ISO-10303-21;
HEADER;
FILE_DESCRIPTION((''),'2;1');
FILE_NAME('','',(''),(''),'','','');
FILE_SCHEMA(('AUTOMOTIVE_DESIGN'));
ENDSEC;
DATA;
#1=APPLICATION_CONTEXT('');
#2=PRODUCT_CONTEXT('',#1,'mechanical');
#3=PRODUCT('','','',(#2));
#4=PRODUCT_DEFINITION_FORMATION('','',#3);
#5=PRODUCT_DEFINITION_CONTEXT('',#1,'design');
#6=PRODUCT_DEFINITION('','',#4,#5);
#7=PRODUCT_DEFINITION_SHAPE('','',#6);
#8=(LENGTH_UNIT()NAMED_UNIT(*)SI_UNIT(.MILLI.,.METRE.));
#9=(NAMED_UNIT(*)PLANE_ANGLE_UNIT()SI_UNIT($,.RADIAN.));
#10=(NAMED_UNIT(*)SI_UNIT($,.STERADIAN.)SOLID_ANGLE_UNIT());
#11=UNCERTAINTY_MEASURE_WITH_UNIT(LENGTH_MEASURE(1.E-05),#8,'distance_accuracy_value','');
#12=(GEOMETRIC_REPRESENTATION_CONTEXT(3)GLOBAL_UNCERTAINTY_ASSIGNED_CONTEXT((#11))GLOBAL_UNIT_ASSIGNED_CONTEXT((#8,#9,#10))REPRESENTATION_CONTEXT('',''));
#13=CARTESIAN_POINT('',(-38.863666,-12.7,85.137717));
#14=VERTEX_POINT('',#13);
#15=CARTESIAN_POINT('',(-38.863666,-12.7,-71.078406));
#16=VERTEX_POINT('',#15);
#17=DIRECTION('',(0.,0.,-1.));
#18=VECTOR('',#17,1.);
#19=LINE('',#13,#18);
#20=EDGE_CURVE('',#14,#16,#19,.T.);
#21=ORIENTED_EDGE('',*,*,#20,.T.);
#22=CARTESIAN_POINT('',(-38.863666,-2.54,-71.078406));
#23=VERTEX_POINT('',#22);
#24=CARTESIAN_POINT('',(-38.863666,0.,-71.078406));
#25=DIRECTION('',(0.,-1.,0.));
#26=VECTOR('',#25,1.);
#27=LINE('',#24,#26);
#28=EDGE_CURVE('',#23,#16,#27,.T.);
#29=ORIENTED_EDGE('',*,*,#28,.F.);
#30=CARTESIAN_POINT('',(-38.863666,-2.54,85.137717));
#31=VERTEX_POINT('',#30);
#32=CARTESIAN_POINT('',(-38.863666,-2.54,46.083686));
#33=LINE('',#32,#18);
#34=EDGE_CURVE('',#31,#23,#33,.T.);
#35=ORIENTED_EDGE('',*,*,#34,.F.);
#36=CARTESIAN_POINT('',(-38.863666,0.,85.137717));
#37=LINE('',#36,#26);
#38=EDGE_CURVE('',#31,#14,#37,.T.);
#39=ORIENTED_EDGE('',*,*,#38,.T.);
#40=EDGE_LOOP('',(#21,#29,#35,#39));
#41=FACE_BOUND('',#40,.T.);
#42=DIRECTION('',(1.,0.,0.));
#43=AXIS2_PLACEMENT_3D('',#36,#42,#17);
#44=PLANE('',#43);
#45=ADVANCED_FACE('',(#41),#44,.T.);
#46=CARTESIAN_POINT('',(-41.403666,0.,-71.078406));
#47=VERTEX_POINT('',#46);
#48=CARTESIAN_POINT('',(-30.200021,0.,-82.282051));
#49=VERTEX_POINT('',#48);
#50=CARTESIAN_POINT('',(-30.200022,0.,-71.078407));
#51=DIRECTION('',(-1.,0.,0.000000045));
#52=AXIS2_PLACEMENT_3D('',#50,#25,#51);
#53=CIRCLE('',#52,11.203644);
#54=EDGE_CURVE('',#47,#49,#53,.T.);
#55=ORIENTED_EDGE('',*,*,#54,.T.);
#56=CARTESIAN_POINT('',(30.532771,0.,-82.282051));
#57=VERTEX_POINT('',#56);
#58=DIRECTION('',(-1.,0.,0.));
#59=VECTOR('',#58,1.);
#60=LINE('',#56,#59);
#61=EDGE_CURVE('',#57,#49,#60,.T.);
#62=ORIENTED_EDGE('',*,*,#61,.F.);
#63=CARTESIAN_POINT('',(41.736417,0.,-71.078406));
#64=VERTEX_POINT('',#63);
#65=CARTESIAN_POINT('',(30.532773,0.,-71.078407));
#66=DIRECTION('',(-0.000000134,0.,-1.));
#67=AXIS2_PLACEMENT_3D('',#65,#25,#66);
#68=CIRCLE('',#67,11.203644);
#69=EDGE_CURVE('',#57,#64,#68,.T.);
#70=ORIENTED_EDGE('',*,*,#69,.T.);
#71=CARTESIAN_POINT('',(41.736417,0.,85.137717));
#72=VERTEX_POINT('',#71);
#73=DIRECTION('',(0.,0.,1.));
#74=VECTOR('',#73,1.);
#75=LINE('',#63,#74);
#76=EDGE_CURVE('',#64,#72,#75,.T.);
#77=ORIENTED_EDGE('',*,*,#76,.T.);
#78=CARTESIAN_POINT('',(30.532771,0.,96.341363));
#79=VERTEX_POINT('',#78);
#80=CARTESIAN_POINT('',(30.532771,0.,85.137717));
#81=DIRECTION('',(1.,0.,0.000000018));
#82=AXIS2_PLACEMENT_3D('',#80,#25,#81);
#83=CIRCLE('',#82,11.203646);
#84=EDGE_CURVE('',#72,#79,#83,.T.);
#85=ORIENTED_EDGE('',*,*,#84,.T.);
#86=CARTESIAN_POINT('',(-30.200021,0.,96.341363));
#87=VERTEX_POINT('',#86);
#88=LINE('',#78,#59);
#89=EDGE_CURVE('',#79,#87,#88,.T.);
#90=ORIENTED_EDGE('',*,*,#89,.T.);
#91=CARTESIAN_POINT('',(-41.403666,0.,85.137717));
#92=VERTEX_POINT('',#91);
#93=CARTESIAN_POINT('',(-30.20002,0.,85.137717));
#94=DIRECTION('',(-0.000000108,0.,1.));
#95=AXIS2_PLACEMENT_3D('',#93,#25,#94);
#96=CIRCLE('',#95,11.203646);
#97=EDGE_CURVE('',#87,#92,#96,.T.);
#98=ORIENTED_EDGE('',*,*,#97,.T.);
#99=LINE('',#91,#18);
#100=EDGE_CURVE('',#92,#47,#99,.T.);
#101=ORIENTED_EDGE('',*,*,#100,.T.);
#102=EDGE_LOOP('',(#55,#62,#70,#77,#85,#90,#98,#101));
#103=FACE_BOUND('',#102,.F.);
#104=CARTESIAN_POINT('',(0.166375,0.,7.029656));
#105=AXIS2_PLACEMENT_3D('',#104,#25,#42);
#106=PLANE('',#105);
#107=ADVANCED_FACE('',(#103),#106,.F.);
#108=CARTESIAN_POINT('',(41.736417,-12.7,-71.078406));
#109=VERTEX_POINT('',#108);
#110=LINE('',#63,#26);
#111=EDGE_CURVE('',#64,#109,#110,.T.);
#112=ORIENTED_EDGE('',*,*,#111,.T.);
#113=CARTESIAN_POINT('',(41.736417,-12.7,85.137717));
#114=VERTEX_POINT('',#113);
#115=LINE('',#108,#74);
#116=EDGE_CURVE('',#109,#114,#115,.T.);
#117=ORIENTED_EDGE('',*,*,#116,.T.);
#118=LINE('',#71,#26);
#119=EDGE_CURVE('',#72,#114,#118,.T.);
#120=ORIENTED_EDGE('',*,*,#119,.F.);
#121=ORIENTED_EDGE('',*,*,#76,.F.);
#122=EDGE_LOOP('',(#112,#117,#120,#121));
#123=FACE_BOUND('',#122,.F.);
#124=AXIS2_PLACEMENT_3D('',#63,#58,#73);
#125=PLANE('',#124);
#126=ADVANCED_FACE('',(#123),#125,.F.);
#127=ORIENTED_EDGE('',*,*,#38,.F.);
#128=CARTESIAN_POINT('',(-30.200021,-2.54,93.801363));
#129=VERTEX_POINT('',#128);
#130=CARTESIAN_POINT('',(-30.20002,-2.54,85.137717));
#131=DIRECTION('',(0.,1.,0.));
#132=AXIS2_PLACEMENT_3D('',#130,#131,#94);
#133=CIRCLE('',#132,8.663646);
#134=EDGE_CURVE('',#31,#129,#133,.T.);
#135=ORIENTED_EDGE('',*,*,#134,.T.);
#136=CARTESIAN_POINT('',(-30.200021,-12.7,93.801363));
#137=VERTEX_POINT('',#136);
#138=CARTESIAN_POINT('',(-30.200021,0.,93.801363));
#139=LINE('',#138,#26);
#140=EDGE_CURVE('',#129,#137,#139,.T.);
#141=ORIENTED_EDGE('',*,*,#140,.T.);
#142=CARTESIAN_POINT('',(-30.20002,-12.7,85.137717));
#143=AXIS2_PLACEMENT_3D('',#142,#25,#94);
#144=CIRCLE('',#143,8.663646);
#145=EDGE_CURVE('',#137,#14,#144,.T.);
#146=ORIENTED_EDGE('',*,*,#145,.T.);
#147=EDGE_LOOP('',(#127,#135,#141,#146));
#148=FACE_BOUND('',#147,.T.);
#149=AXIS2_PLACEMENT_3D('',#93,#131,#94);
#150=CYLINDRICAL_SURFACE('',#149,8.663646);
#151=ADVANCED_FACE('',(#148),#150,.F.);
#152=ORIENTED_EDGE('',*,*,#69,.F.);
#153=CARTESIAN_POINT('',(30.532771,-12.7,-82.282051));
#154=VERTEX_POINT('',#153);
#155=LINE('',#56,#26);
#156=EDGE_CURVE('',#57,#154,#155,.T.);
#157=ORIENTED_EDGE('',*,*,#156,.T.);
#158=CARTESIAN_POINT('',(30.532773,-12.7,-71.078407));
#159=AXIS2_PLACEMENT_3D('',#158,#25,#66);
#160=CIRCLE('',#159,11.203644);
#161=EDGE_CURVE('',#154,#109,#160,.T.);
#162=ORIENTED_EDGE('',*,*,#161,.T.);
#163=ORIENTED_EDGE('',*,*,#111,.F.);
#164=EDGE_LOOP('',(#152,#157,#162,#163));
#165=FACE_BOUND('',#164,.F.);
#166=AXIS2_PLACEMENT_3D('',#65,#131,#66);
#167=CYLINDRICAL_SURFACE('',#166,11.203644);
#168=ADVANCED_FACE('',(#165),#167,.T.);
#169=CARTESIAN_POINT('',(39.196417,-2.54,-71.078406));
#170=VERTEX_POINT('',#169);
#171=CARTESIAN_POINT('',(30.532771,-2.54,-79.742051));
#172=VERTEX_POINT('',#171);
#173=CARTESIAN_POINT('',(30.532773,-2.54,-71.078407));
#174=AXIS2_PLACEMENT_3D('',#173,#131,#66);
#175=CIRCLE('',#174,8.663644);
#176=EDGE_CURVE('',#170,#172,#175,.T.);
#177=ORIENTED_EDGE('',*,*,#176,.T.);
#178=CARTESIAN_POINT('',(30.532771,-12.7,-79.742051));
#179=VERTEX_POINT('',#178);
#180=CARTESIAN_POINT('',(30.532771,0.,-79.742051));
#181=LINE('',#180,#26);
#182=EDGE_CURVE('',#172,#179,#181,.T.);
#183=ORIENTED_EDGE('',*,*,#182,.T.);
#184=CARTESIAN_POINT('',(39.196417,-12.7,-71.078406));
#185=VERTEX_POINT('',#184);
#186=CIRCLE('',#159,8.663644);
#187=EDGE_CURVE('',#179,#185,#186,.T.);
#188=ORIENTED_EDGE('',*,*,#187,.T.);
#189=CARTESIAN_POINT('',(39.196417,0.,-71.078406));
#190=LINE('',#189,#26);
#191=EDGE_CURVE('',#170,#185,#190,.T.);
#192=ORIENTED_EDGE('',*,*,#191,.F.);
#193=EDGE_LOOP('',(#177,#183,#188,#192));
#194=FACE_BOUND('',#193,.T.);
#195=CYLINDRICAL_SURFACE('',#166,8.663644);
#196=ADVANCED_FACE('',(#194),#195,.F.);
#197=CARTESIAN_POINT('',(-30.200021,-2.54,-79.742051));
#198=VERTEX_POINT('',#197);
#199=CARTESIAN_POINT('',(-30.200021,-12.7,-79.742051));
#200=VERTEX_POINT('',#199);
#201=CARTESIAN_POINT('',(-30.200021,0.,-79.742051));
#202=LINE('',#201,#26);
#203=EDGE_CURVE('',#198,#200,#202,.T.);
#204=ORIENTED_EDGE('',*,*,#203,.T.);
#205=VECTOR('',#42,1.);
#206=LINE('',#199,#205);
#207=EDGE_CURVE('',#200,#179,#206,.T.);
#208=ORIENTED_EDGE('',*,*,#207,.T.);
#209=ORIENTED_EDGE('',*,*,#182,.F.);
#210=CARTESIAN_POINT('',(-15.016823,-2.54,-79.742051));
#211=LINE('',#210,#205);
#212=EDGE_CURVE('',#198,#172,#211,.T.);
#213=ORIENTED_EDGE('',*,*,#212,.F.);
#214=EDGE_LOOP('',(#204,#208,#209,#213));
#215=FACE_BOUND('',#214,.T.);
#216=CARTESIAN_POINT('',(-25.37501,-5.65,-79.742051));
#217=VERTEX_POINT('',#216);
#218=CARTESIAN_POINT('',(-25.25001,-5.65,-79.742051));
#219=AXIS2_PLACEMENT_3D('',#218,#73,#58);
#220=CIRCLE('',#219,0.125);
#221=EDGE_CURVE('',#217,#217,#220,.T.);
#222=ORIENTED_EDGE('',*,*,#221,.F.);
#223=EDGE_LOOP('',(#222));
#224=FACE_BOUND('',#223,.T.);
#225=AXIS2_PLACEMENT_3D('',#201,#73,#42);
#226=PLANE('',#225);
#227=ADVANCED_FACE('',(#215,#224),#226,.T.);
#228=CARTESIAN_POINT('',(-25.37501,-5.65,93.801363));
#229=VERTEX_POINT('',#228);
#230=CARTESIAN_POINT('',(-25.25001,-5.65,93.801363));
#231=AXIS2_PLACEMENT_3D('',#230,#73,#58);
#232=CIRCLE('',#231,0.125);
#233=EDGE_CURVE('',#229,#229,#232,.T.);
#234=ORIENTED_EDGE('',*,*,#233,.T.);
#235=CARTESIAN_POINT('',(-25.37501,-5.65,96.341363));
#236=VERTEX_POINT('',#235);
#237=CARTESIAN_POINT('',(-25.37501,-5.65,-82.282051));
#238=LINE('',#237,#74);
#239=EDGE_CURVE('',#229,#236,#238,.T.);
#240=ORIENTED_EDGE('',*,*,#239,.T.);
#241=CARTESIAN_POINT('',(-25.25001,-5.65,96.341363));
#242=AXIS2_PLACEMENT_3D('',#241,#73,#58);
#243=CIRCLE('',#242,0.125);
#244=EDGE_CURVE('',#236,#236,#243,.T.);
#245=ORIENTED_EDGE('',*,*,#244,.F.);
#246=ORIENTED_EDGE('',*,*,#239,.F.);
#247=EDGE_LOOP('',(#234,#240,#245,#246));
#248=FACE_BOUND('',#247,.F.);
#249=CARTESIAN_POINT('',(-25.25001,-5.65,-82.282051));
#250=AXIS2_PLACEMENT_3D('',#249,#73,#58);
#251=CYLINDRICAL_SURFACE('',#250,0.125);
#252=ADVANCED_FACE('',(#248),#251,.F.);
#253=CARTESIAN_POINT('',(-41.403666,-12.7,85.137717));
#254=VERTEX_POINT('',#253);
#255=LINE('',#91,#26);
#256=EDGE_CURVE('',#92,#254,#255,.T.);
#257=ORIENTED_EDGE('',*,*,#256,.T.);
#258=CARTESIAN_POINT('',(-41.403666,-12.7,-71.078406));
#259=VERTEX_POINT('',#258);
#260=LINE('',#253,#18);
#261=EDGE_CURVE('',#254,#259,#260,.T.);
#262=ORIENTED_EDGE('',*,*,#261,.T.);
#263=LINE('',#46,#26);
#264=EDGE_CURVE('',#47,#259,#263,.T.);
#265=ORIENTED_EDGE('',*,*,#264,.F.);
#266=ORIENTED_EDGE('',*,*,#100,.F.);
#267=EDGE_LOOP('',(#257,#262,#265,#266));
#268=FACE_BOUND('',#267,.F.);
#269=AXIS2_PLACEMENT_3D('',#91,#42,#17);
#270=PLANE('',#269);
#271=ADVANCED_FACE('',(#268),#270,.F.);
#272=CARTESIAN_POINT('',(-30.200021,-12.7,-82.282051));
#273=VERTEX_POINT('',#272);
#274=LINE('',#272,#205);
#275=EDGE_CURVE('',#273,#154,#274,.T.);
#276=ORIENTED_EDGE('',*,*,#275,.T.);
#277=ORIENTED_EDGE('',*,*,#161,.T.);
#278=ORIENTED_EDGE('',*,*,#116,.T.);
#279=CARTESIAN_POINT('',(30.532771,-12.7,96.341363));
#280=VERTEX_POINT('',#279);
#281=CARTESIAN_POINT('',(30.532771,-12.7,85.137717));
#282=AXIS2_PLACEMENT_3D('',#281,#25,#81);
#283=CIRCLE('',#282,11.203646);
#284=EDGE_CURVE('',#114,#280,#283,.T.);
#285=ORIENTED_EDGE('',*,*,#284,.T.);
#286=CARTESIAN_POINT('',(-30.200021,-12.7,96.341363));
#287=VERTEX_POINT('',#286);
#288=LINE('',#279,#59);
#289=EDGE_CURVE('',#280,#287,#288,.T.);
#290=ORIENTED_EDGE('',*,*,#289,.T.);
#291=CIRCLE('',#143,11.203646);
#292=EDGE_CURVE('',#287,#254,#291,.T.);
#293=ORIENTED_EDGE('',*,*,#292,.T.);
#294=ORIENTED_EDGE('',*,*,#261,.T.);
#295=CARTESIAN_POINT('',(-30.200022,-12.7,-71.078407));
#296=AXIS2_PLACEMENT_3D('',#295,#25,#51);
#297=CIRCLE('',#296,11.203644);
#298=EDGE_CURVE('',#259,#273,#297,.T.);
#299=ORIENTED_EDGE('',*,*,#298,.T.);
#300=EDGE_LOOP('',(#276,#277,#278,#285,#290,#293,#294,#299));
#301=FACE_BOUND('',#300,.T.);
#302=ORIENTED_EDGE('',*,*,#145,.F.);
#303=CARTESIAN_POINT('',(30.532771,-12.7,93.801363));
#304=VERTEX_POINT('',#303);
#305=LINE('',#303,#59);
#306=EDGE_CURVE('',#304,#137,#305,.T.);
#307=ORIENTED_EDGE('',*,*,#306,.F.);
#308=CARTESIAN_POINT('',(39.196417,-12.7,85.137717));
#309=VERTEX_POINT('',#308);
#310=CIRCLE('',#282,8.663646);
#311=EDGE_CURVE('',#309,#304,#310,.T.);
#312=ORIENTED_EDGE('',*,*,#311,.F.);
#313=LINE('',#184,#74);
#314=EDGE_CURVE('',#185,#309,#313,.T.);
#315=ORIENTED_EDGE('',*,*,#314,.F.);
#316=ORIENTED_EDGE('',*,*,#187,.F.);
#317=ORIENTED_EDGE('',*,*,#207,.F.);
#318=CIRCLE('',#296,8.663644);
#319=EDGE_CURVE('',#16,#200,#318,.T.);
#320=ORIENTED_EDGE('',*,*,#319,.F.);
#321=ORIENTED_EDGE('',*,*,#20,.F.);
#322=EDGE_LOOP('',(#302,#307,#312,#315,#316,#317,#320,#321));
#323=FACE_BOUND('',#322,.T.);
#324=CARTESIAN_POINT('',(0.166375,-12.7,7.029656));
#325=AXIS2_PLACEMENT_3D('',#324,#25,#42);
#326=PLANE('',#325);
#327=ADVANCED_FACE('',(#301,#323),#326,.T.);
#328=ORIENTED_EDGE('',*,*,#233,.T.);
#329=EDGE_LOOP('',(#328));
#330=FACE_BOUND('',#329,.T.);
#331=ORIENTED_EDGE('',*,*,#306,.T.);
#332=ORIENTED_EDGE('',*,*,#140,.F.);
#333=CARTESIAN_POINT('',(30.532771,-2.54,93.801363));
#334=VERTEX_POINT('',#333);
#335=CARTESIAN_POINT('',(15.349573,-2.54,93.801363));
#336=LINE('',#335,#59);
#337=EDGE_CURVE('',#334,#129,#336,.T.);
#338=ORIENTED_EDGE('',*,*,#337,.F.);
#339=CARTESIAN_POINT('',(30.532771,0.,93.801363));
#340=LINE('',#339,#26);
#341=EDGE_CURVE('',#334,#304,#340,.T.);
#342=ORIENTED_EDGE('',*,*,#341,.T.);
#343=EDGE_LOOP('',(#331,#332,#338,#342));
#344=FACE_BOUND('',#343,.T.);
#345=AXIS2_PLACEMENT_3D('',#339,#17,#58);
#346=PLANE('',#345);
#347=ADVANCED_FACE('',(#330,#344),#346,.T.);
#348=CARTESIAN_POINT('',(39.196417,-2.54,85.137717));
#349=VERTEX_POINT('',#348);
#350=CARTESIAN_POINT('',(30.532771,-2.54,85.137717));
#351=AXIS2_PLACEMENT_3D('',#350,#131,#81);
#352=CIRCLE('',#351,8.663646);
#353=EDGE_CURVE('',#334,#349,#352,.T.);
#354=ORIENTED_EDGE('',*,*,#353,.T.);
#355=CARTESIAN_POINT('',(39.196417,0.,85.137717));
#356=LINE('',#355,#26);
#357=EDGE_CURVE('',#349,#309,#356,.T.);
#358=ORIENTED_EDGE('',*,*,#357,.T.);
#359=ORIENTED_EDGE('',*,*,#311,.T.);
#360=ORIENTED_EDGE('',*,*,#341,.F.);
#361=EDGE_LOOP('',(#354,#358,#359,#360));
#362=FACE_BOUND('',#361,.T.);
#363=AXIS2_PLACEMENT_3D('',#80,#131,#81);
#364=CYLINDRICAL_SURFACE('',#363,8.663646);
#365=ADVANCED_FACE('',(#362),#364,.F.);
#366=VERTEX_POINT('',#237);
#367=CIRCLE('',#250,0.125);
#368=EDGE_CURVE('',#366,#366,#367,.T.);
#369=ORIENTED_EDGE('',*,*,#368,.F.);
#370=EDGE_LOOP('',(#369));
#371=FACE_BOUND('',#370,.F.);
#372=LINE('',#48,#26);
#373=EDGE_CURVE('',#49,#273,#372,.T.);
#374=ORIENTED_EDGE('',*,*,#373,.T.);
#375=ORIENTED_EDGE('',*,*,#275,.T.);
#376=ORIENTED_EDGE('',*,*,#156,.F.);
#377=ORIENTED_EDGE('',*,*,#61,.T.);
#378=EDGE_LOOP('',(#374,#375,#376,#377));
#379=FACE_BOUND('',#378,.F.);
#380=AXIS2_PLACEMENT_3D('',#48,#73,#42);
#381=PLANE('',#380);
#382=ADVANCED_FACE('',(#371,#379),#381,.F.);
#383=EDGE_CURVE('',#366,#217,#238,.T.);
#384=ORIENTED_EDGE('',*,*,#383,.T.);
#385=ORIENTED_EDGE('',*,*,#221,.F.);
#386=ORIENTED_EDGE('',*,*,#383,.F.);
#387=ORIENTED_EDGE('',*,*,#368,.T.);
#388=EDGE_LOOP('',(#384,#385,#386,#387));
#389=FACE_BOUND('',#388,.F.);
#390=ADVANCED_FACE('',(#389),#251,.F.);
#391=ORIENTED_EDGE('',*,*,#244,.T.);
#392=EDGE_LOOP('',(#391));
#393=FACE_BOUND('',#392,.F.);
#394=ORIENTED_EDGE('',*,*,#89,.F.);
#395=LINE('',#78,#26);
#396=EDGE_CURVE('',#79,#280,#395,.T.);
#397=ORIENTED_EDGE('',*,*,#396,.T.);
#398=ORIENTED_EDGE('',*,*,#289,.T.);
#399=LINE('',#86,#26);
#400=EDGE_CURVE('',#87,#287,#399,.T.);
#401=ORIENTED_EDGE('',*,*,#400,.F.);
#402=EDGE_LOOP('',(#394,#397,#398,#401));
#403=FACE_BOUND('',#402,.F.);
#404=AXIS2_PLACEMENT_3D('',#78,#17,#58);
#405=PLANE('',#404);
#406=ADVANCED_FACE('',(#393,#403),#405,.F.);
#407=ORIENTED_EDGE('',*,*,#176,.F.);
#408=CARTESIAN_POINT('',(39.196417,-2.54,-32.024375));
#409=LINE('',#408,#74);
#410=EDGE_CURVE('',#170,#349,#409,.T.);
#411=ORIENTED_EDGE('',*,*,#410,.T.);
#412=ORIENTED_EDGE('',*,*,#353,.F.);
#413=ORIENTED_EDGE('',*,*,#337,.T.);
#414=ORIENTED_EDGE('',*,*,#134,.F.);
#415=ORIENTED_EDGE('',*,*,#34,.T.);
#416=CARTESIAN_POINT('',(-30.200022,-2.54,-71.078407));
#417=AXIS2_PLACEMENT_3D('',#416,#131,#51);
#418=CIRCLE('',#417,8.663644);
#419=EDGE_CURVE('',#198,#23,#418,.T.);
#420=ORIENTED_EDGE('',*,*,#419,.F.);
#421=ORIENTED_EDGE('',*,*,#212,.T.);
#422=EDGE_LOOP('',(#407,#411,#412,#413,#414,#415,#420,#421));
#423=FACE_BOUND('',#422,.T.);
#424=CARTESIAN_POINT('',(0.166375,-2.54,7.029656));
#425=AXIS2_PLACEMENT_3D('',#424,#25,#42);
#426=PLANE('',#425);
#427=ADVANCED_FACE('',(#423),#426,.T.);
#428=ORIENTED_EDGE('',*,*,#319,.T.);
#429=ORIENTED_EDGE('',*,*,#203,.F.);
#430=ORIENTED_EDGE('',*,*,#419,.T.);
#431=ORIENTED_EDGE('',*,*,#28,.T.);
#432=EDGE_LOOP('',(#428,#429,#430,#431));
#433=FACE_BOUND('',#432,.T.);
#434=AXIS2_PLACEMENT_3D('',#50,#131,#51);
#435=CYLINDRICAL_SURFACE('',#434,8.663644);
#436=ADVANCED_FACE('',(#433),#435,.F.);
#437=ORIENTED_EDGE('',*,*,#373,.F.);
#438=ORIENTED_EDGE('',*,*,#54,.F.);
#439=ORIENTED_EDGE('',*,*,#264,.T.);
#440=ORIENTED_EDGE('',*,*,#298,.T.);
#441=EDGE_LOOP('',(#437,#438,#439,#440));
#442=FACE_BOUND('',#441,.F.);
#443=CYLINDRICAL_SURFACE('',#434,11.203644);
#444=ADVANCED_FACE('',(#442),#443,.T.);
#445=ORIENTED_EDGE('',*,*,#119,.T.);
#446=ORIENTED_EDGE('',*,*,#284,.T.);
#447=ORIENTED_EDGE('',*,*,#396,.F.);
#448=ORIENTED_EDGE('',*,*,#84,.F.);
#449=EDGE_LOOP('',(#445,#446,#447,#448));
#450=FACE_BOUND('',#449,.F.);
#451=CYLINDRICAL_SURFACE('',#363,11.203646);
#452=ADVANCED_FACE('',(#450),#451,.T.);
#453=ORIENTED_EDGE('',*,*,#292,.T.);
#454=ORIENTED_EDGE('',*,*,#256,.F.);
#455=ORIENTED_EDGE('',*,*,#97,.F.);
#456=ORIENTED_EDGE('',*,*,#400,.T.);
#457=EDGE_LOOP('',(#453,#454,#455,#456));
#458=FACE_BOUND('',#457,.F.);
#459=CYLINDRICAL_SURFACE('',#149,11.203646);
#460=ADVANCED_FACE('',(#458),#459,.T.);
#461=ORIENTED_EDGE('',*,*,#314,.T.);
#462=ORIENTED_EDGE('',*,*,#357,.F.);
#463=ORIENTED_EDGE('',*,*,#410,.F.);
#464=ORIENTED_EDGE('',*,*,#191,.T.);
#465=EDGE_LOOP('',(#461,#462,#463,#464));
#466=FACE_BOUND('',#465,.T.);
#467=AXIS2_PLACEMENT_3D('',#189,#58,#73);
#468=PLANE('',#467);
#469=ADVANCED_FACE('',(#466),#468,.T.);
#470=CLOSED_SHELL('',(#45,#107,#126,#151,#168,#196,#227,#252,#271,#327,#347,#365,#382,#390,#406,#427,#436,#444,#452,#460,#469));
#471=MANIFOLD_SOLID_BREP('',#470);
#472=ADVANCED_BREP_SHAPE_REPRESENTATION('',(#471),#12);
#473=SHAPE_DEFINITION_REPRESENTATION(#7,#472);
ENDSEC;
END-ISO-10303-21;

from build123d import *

# Parameters (mm, degrees)
F1_DEPTH       = 12.7
F2_T           = -2.54
F4_D           = 0.25
F4_CBORE_D     = 12.7
F4_CBORE_DEPTH = 0


with BuildPart() as f1:
    # F0 (on Front) → F1 (new body)
    with BuildSketch(Plane.XZ):
        with BuildLine():
            Line((30.532771, 96.341363), (-30.200021, 96.341363))
            ThreePointArc((-30.200021, 96.341363), (-38.122194, 93.059891), (-41.403666, 85.137717))
            Line((-41.403666, 85.137717), (-41.403666, -71.078406))
            ThreePointArc((-41.403666, -71.078406), (-38.122194, -79.00058), (-30.200021, -82.282051))
            Line((-30.200021, -82.282051), (30.532771, -82.282051))
            ThreePointArc((30.532771, -82.282051), (38.454945, -79.00058), (41.736417, -71.078406))
            Line((41.736417, -71.078406), (41.736417, 85.137717))
            ThreePointArc((41.736417, 85.137717), (38.454945, 93.059891), (30.532771, 96.341363))
        make_face()
    extrude(amount=F1_DEPTH)

    # F2
    f2_openings = [f1.faces().sort_by_distance(p)[0] for p in [
        (0.166375, -12.7, 7.029656),
    ]]
    offset(amount=F2_T, openings=f2_openings)

    # F4 (through all)
    with Locations(Plane(origin=(0, 0, -82.282051), x_dir=(1, 0, 0), z_dir=(0, 0, -1))):
        with Locations((-25.25001, 5.65)):
            CounterBoreHole(F4_D / 2, F4_CBORE_D / 2, F4_CBORE_DEPTH)


solid = f1.part
